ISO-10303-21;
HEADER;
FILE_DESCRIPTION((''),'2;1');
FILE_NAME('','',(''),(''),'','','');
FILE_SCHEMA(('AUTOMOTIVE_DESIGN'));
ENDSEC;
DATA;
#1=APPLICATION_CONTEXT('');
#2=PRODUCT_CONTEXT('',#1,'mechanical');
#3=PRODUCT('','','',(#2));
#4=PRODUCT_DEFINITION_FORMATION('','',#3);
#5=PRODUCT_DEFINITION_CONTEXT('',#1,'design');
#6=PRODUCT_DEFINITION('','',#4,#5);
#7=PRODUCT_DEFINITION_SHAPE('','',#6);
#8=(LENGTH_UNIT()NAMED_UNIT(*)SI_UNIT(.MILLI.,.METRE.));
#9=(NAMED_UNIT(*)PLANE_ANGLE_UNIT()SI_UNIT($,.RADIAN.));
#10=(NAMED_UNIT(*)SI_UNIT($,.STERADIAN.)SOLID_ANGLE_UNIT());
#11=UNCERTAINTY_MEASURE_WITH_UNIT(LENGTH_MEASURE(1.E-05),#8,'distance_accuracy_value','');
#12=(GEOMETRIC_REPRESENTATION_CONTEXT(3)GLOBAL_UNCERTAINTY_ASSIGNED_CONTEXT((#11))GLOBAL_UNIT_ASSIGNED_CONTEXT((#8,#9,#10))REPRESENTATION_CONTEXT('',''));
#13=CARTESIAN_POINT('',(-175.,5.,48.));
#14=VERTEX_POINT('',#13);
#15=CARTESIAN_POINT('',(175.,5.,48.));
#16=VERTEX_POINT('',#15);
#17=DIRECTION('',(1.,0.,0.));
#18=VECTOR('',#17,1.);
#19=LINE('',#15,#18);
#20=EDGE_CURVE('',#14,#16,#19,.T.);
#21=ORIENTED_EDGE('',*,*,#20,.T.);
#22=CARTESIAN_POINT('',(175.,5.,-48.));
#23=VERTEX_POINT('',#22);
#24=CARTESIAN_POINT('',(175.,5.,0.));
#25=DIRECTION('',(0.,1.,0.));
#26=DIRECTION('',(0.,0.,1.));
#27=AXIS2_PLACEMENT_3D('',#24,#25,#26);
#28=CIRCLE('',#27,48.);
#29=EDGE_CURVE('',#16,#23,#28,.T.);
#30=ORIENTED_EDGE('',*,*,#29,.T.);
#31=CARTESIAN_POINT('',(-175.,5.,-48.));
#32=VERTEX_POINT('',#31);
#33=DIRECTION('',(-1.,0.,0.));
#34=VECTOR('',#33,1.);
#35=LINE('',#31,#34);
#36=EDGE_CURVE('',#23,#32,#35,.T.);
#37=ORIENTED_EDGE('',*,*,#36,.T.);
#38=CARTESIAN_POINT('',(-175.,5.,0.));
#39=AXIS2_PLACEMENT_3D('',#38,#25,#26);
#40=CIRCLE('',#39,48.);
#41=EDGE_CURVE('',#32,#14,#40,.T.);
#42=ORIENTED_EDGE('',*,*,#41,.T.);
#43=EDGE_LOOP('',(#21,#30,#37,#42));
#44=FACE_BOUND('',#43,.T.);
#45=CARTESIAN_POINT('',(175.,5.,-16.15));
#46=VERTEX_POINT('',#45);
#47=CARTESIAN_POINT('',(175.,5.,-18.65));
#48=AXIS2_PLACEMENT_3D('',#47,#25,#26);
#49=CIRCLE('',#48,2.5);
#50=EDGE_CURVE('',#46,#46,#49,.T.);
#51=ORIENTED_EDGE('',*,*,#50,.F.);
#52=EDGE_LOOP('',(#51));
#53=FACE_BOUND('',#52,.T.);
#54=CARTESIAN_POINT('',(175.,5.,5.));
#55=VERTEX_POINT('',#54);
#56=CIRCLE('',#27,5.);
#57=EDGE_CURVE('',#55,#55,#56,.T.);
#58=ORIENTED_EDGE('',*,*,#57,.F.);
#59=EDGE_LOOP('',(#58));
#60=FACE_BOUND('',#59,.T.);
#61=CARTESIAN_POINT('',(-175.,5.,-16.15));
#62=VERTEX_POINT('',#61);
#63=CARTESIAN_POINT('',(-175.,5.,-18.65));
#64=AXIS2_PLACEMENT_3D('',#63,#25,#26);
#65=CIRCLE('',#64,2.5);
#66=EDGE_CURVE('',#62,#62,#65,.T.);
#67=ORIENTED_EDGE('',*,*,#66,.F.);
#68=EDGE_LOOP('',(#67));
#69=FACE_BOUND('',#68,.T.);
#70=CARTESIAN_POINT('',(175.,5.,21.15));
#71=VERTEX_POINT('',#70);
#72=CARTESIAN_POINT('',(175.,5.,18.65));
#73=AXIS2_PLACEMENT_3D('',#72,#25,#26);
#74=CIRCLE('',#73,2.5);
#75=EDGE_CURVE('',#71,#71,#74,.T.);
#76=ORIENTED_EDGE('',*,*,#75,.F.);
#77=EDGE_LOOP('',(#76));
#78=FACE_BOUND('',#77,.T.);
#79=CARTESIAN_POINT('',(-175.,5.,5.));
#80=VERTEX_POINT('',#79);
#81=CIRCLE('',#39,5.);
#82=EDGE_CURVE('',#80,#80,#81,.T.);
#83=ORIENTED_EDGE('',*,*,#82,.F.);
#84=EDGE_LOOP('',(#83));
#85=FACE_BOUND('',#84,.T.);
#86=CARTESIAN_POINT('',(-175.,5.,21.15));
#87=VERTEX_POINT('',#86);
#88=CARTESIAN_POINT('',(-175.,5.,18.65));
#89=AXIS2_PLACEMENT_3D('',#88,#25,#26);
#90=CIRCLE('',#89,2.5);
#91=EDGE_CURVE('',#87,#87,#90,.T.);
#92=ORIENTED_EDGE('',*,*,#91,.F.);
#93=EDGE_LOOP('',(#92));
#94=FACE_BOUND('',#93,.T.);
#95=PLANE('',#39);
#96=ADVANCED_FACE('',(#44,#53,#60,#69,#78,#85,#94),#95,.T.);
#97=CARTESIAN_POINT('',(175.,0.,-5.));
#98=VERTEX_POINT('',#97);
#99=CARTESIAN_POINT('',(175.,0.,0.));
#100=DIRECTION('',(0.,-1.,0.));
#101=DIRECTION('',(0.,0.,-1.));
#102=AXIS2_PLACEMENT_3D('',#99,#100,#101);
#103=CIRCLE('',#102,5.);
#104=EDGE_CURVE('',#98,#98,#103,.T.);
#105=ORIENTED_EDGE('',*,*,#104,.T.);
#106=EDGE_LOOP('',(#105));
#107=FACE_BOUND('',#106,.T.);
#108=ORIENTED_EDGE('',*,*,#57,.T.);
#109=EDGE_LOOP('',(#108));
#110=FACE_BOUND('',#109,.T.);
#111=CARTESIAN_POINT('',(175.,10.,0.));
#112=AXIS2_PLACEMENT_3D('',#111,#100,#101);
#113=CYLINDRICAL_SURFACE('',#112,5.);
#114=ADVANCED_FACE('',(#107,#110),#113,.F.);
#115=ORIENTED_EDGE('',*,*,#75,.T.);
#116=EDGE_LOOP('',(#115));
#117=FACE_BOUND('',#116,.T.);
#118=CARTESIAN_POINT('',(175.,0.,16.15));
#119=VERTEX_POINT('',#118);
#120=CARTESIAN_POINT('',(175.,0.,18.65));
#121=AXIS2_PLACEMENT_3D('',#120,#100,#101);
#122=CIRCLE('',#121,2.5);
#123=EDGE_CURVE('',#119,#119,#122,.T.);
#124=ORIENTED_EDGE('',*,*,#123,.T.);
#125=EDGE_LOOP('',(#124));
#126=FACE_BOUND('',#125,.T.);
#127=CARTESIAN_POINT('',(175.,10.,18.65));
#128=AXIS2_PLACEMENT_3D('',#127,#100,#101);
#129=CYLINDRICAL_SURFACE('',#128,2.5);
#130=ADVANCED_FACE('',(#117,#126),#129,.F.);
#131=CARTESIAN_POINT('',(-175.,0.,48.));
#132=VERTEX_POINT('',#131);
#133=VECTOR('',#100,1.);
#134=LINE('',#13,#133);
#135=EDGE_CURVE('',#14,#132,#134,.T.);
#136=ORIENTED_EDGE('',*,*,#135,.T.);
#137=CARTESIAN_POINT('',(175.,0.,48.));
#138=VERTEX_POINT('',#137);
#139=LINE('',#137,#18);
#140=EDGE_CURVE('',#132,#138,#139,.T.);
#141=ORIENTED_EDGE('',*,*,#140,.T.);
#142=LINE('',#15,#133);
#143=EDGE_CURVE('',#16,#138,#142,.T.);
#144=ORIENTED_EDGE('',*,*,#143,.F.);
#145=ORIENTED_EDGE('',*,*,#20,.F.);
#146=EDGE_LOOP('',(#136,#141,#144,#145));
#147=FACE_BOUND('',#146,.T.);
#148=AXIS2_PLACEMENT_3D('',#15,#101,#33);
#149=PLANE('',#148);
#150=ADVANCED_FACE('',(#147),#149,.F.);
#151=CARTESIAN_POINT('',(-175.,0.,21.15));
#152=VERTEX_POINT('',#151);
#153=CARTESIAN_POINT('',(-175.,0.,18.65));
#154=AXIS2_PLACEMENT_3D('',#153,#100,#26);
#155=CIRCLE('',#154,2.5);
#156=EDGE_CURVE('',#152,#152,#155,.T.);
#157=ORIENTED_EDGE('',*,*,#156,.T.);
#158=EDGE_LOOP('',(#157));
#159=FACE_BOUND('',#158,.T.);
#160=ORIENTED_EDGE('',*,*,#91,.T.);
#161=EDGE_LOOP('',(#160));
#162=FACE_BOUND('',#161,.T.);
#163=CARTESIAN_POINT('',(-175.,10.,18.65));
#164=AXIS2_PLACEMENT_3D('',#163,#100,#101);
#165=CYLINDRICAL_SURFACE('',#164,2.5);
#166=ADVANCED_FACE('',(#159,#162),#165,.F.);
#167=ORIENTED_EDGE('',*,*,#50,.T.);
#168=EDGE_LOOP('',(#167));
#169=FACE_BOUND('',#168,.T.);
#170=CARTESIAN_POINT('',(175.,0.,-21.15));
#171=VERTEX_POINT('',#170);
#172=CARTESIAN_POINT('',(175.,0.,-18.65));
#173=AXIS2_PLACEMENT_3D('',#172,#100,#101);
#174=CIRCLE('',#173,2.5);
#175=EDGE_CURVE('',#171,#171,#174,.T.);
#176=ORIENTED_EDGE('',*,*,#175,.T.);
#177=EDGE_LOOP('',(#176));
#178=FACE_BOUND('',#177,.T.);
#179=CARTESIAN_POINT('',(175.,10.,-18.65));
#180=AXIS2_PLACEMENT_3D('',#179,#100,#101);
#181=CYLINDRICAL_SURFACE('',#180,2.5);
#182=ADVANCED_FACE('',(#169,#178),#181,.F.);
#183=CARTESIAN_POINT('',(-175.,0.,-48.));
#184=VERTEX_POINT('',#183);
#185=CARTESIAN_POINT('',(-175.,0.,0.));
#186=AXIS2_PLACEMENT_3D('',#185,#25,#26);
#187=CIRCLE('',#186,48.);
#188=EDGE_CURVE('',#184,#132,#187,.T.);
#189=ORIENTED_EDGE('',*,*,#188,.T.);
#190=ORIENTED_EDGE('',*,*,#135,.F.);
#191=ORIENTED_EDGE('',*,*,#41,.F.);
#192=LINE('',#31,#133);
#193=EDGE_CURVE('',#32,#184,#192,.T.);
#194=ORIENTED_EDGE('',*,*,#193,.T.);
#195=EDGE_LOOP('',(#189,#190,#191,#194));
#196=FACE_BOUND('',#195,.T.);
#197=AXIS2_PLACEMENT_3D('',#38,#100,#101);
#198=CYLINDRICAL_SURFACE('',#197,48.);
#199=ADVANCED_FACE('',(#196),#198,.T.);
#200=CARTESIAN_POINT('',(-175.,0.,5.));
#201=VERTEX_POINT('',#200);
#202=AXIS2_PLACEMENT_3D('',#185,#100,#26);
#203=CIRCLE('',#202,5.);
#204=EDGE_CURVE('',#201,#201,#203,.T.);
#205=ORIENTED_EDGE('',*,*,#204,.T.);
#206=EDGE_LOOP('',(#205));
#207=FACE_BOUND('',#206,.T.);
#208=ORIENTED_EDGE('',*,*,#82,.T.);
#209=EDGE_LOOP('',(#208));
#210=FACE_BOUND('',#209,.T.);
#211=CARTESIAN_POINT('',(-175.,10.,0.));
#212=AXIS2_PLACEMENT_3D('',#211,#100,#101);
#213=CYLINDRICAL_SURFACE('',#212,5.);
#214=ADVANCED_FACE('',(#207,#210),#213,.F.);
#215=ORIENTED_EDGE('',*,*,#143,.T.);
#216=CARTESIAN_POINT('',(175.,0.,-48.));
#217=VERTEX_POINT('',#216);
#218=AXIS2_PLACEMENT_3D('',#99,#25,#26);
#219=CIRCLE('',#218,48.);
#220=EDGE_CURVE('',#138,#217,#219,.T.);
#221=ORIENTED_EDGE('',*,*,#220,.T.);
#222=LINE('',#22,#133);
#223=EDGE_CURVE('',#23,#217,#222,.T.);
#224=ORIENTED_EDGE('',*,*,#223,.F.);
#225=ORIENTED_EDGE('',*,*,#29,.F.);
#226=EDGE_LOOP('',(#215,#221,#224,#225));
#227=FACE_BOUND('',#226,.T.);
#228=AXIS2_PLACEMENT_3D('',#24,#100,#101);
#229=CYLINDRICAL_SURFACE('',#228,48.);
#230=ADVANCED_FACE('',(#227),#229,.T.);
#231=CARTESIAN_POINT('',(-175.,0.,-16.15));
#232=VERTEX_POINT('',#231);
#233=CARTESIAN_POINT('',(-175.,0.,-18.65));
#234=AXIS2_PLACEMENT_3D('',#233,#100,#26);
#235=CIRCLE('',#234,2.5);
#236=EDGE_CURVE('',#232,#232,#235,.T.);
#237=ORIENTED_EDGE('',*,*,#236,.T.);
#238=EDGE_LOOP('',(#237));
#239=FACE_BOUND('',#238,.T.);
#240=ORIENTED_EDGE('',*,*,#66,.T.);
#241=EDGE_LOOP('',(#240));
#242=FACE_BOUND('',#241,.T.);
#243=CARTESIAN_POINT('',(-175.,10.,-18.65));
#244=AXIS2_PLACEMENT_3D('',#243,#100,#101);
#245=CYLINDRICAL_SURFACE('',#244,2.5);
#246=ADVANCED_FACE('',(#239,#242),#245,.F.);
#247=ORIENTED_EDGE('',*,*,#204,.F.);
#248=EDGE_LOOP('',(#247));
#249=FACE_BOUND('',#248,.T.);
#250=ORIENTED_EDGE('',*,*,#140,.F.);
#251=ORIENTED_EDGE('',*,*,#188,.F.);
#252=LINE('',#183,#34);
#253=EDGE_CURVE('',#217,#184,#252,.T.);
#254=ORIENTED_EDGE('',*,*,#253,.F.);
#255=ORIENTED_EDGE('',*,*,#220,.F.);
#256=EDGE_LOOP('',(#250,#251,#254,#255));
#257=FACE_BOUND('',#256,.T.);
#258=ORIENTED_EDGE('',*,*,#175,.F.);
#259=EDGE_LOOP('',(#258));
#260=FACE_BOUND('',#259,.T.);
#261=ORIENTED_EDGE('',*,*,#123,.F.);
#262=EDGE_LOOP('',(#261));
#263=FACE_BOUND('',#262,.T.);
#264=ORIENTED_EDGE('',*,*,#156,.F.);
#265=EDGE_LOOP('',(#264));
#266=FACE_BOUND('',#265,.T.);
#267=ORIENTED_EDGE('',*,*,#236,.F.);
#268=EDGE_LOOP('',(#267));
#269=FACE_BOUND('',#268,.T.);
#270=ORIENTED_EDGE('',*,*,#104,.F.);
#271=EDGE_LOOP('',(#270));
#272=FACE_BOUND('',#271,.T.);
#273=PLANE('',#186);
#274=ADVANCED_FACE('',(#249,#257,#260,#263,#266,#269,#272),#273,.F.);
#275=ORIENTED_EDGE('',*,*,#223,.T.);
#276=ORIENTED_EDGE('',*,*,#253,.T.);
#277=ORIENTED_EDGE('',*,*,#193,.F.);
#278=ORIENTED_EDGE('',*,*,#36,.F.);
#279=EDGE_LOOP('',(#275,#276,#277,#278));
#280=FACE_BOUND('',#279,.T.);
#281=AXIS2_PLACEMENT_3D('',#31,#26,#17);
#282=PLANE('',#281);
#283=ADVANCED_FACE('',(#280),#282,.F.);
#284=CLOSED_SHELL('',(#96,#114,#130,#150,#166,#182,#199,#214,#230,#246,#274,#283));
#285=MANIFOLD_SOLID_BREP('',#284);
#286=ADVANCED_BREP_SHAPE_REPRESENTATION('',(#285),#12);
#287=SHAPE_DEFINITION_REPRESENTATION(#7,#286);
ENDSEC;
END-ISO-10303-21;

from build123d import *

# Parameters (mm, degrees)
BOSS_EXTRUDE1_DEPTH = 5
SKETCH2_R           = 5
SKETCH2_R_2         = 2.5
CUT_EXTRUDE1_DEPTH  = 10


with BuildPart() as part:
    # Sketch1 → Boss-Extrude1 (new body)
    with BuildSketch(Plane(origin=(0, 0, 0), x_dir=(1, 0, 0), z_dir=(0, 1, 0))):
        with BuildLine():
            Line((-175, 48), (175, 48))
            ThreePointArc((175, 48), (223, 0), (175, -48))
            Line((175, -48), (-175, -48))
            ThreePointArc((-175, -48), (-223, 0), (-175, 48))
        make_face()
    extrude(amount=BOSS_EXTRUDE1_DEPTH)

    # Sketch2 → Cut-Extrude1 (cut)
    with BuildSketch(Plane.XZ):
        with Locations(Location((175, 0, 0), (0, 0, 270))):
            Circle(SKETCH2_R)
        with Locations(Location((175, 18.65, 0), (0, 0, 270))):
            Circle(SKETCH2_R_2)
        with Locations(Location((175, -18.65, 0), (0, 0, 270))):
            Circle(SKETCH2_R_2)
        with Locations(Location((-175, -18.65, 0), (0, 0, 90))):
            Circle(SKETCH2_R_2)
        with Locations(Location((-175, 18.65, 0), (0, 0, 90))):
            Circle(SKETCH2_R_2)
        with Locations(Location((-175, 0, 0), (0, 0, 90))):
            Circle(SKETCH2_R)
    extrude(amount=-CUT_EXTRUDE1_DEPTH, mode=Mode.SUBTRACT)


solid = part.part
